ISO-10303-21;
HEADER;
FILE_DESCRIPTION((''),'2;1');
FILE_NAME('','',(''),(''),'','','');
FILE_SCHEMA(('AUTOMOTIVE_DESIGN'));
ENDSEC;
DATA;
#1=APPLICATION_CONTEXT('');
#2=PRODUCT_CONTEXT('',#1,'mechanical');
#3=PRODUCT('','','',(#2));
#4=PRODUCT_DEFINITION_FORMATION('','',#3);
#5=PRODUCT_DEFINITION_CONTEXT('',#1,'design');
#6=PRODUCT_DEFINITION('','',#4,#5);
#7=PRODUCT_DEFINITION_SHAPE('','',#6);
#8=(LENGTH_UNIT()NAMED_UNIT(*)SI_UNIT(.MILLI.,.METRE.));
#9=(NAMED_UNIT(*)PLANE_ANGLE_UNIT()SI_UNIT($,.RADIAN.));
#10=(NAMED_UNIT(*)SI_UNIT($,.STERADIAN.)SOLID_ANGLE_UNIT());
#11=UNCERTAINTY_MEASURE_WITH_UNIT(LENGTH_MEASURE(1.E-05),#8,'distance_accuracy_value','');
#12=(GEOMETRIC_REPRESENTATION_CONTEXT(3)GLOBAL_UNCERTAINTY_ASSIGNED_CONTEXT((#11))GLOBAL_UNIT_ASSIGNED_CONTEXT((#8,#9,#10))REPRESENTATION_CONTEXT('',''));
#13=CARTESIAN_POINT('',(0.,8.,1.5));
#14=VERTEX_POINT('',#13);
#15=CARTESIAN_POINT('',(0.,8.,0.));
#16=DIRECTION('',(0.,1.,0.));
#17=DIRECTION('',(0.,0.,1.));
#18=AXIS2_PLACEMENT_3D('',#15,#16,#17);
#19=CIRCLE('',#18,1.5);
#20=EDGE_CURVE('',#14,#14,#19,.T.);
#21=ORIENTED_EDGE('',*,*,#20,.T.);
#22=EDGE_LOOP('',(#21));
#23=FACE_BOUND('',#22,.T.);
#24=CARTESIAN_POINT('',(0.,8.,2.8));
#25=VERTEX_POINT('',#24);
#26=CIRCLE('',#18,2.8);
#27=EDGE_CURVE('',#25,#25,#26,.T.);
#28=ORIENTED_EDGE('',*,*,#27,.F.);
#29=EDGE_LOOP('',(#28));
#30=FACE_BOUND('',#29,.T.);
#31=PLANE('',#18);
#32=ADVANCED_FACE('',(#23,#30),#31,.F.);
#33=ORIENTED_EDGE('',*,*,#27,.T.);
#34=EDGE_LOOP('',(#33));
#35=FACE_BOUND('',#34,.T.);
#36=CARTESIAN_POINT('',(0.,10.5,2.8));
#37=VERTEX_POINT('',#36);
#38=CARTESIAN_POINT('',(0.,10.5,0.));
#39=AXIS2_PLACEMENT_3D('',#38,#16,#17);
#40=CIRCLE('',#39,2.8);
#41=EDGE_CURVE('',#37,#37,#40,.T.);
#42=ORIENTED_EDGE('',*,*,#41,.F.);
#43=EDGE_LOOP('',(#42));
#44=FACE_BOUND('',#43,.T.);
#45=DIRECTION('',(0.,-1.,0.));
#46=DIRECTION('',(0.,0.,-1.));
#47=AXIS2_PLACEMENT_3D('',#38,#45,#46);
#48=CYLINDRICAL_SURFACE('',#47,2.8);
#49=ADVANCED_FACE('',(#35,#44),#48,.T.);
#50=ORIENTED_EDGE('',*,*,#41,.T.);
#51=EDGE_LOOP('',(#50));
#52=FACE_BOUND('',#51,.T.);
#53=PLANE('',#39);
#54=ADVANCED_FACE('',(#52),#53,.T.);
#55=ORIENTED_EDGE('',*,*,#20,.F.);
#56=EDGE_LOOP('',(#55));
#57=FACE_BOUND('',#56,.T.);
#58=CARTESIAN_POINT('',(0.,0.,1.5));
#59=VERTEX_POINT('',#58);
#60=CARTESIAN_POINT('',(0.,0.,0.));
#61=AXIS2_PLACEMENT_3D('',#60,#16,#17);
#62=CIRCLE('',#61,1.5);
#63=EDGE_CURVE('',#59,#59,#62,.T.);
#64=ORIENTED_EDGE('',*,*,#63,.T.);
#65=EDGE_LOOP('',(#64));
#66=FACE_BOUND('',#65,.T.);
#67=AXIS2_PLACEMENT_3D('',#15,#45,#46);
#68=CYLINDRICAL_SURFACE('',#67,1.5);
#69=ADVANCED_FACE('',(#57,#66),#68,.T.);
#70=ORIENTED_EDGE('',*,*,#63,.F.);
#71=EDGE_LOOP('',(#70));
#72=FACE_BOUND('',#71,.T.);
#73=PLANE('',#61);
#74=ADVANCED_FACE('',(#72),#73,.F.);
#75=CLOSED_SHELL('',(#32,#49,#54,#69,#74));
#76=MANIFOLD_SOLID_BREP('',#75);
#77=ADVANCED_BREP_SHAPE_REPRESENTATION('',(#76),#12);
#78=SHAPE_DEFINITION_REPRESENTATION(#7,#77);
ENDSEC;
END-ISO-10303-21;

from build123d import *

# Parameters (mm, degrees)
SKETCH1_R           = 1.5
BOSS_EXTRUDE1_DEPTH = 8
SKETCH2_R           = 2.8
BOSS_EXTRUDE2_DEPTH = 2.5


with BuildPart() as part:
    # Sketch1 → Boss-Extrude1 (new body)
    with BuildSketch(Plane(origin=(0, 0, 0), x_dir=(1, 0, 0), z_dir=(0, 1, 0))):
        Circle(SKETCH1_R)
    extrude(amount=BOSS_EXTRUDE1_DEPTH)

    # Sketch2 → Boss-Extrude2 (add)
    with BuildSketch(Plane(origin=(0, 8, 0), x_dir=(1, 0, 0), z_dir=(0, 1, 0))):
        Circle(SKETCH2_R)
    extrude(amount=BOSS_EXTRUDE2_DEPTH)


solid = part.part
